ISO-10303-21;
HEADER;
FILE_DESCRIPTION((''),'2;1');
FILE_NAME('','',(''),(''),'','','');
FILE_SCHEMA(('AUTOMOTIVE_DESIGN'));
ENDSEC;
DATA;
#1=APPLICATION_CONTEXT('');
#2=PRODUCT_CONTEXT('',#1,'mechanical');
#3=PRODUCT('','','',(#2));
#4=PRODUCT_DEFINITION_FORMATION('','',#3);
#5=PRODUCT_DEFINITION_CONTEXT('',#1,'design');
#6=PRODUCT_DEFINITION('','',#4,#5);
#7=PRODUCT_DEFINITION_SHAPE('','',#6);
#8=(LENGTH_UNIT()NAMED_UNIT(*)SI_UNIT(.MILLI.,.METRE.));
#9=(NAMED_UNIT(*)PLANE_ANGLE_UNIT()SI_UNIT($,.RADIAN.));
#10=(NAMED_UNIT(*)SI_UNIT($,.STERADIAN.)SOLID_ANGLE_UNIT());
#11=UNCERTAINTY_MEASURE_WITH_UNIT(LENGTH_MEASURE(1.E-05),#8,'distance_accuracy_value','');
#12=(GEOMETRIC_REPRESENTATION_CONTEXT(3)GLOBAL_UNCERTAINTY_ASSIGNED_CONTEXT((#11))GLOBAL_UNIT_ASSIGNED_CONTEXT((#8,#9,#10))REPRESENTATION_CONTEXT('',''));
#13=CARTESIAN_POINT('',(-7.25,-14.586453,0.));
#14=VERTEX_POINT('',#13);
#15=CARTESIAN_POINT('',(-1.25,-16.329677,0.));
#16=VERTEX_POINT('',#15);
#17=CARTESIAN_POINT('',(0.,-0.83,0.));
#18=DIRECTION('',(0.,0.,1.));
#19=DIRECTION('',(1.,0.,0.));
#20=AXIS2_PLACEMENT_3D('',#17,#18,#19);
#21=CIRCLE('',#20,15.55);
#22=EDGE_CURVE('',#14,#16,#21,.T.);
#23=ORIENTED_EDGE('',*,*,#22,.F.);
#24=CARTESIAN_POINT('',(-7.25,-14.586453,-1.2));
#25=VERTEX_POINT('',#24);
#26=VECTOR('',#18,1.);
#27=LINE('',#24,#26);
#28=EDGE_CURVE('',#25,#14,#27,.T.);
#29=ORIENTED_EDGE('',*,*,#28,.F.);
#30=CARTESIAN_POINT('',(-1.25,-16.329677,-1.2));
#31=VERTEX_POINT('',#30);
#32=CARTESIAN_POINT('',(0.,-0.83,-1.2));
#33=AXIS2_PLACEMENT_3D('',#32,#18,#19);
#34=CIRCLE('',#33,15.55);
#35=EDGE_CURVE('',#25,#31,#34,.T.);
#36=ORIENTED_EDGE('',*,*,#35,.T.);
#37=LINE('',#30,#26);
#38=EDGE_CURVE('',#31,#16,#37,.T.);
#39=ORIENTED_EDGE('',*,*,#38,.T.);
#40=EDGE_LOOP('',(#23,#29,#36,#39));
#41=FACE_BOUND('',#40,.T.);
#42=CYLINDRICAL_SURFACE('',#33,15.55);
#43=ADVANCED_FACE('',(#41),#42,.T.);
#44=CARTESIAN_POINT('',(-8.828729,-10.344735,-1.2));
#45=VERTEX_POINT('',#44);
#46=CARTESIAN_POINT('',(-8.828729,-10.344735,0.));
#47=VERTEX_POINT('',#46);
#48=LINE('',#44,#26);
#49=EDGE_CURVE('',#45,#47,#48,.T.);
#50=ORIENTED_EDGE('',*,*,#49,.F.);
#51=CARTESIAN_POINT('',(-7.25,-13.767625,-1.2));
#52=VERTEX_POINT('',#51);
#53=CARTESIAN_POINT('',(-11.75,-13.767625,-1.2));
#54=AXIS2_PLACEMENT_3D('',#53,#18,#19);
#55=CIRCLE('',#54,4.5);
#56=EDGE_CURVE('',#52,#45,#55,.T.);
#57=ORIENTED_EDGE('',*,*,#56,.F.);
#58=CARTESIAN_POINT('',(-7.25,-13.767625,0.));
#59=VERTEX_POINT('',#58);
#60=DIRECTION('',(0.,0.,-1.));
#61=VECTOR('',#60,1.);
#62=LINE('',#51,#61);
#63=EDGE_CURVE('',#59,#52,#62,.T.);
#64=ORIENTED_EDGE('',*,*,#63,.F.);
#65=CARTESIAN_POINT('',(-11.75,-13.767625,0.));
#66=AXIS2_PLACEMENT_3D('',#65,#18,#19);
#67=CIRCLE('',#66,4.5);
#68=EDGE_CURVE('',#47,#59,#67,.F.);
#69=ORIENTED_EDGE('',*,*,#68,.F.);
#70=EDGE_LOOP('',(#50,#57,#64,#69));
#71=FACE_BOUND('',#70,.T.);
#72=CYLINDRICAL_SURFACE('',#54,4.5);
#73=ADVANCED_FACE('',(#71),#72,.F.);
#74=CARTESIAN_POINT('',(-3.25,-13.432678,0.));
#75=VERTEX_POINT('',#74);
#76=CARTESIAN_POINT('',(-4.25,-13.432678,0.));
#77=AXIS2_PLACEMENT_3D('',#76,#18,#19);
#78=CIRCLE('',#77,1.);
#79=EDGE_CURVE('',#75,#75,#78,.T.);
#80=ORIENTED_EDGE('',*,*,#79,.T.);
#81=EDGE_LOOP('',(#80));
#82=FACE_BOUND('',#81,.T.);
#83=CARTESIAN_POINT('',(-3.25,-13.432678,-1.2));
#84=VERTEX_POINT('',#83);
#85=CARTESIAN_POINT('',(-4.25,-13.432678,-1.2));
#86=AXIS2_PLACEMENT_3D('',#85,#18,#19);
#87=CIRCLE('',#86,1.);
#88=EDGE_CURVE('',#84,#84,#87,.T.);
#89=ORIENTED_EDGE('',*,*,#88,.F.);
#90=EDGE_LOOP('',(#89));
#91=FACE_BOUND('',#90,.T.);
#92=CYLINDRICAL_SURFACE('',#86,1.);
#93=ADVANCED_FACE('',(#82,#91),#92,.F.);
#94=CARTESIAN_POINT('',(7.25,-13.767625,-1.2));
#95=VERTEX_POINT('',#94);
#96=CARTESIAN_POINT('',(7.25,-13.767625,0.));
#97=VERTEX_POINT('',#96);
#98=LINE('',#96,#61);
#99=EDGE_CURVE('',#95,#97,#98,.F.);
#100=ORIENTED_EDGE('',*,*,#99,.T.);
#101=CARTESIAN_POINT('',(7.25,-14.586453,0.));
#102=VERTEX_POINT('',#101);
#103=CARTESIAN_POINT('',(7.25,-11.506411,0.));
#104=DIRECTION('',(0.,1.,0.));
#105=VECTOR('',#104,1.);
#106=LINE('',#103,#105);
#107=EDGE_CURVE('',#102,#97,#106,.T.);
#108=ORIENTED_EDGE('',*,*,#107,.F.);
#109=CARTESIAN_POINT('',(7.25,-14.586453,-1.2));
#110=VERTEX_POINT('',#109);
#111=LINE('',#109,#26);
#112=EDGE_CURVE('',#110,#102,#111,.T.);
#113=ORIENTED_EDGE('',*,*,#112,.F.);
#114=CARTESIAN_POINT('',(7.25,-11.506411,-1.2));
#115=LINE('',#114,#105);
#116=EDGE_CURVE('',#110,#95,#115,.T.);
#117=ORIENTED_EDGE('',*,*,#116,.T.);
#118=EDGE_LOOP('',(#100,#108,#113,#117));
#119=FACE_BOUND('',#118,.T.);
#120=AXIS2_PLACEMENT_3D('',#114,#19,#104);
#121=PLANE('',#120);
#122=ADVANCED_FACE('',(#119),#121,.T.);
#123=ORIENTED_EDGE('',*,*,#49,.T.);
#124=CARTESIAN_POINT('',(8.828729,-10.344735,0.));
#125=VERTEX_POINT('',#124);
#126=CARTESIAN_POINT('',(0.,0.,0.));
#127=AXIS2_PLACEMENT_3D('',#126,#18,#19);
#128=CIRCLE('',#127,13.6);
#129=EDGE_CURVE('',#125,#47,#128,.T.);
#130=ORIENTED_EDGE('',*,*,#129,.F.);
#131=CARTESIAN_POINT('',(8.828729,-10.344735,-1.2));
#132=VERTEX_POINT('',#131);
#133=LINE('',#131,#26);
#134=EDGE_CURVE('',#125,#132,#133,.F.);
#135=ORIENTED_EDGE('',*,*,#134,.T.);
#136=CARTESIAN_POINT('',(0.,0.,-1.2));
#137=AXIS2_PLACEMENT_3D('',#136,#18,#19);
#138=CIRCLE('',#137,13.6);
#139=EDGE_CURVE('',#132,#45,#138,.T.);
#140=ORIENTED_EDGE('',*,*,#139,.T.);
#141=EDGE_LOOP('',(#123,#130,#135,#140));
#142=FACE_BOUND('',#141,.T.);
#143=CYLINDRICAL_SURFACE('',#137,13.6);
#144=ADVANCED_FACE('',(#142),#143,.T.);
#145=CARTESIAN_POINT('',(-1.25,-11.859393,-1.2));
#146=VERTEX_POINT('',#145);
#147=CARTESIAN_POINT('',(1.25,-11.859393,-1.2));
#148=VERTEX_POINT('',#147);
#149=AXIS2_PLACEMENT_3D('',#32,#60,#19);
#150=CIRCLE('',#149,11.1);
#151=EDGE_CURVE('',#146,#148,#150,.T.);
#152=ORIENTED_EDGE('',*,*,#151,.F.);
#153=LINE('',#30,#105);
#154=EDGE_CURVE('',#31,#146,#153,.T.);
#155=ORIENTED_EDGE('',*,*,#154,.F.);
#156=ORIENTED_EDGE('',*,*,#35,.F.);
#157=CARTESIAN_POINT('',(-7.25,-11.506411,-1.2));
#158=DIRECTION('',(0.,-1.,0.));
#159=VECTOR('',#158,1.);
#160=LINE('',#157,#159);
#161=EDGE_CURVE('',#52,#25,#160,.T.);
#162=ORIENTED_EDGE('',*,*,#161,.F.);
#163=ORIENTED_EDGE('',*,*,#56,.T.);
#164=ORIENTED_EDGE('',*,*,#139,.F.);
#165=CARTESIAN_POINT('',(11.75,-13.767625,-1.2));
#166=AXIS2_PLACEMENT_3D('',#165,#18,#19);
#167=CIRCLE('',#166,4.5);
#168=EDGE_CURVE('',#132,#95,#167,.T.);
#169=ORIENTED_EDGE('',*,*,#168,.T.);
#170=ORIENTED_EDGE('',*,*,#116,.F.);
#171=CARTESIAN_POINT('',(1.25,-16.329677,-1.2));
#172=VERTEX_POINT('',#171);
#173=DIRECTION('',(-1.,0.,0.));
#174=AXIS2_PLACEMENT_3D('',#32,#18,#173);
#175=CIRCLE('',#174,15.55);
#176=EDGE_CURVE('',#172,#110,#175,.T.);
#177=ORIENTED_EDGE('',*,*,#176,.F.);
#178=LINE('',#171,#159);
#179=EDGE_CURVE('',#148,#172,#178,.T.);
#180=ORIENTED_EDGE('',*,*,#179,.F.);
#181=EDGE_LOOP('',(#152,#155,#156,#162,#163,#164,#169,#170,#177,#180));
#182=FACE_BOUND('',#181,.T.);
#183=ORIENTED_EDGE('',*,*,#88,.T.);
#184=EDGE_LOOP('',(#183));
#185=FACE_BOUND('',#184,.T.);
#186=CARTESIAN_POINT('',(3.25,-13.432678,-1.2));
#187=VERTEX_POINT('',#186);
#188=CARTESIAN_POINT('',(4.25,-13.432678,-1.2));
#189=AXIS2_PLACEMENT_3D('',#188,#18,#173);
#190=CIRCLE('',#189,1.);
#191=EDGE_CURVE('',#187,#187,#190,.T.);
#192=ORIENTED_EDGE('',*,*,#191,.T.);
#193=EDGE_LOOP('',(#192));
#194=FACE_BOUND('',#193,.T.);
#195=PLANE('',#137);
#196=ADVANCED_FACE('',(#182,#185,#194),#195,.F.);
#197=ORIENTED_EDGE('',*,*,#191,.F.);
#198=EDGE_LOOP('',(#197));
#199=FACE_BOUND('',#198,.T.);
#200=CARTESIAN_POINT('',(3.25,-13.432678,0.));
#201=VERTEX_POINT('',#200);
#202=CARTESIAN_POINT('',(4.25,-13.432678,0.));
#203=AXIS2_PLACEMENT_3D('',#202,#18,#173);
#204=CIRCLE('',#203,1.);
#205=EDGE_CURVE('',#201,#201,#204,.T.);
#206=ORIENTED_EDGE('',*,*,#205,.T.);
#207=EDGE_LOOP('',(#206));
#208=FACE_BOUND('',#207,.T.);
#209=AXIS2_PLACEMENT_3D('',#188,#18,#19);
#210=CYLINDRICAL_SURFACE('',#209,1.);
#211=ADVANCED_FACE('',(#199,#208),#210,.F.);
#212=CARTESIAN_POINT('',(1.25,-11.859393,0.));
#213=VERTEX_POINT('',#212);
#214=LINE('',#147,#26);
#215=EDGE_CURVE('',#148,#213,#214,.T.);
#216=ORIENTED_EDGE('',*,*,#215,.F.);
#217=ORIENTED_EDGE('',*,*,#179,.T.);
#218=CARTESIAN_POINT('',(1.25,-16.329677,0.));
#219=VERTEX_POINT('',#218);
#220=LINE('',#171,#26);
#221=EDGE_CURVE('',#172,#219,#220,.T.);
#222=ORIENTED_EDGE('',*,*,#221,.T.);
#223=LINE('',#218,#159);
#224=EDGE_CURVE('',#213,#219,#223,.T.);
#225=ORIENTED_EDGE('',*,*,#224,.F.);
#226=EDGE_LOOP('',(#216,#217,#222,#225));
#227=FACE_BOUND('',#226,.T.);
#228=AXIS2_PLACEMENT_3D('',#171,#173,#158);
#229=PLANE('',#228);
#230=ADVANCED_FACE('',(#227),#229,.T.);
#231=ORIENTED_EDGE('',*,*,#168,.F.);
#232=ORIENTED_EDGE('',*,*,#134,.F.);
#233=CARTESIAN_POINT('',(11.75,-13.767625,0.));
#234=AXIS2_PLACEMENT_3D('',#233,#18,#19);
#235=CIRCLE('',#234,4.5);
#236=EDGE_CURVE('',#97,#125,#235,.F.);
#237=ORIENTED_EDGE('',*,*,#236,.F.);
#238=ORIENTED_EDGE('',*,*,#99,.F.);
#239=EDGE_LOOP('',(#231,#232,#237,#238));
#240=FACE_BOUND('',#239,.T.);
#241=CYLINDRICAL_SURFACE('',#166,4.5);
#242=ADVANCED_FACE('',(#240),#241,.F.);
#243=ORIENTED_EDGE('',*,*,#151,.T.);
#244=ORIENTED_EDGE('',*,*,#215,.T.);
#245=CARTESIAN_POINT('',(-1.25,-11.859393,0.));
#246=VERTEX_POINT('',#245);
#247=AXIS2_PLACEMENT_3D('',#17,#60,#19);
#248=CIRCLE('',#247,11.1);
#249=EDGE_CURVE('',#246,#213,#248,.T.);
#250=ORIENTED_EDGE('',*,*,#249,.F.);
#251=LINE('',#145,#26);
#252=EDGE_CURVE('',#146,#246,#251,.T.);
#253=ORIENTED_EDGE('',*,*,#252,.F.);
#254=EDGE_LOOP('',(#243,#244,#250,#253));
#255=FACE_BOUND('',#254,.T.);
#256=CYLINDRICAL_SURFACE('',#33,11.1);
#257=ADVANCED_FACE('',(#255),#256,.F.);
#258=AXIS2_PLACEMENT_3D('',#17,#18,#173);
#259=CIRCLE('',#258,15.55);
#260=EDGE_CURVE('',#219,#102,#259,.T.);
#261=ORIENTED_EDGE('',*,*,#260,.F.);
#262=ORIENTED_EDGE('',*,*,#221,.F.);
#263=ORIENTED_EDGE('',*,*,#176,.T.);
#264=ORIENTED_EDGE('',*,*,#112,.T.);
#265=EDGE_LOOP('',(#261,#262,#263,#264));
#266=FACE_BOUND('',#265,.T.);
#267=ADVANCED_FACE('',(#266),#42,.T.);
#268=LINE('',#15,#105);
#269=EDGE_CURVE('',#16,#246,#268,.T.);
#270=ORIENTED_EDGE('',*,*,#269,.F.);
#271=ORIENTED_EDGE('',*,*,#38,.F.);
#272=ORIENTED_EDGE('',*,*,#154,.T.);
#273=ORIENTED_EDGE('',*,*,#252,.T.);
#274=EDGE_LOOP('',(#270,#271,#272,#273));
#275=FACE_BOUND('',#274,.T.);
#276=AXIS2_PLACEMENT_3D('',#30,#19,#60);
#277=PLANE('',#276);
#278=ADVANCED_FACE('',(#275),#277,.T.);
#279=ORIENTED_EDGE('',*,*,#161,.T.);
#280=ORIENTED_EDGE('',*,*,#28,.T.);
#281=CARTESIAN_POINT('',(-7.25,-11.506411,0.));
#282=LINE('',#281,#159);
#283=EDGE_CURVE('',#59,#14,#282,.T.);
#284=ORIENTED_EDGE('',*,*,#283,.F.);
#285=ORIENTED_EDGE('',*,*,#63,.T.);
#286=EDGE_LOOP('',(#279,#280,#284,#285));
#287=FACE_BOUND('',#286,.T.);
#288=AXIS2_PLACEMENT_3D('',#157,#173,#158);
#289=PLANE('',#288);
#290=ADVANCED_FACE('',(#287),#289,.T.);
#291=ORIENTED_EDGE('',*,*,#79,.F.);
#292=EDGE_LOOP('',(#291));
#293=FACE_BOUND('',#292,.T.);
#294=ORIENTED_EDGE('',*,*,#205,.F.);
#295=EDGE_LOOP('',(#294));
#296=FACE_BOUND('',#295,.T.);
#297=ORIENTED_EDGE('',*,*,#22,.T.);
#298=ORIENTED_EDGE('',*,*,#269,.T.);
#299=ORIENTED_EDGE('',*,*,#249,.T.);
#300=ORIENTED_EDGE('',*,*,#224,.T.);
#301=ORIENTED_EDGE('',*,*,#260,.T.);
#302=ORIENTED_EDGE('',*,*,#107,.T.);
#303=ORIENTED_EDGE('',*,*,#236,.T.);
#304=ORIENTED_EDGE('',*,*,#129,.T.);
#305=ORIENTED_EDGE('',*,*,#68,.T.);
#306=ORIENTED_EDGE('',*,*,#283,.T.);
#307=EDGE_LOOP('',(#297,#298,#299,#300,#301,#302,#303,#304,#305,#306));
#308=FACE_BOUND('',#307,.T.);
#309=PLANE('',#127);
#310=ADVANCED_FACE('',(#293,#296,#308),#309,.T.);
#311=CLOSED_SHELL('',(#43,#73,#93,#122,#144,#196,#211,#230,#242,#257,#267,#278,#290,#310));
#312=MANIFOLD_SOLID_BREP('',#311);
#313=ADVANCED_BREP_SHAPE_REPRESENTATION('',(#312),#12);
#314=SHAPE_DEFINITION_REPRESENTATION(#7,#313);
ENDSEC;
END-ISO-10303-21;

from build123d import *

# Parameters (mm, degrees)
SKETCH1_R  = 1
BODY_DEPTH = 1.2
FILLET1_R  = 4.5


with BuildPart() as part:
    # Sketch1 → Body (new body)
    with BuildSketch(Plane.XY):
        with BuildLine():
            Line((-1.25, -16.329677416), (-1.25, -11.859392549))
            ThreePointArc((-1.25, -11.859392549), (0, 10.27), (1.25, -11.859392549))
            Line((1.25, -11.859392549), (1.25, -16.329677416))
            ThreePointArc((1.25, -16.329677416), (4.338456847, -15.762524642), (7.25, -14.586453031))
            Line((7.25, -14.586453031), (7.25, -11.506411256))
            ThreePointArc((7.25, -11.506411256), (0, 13.6), (-7.25, -11.506411256))
            Line((-7.25, -11.506411256), (-7.25, -14.586453031))
            ThreePointArc((-7.25, -14.586453031), (-4.338456847, -15.762524642), (-1.25, -16.329677416))
        make_face()
        with Locations((-4.25, -13.432678287)):
            Circle(SKETCH1_R, mode=Mode.SUBTRACT)
        with Locations(Location((4.25, -13.432678287, 0), (0, 0, 180))):
            Circle(SKETCH1_R, mode=Mode.SUBTRACT)
    extrude(amount=-BODY_DEPTH)

    # Fillet1
    fillet1_edges = [part.edges().sort_by_distance(p)[0] for p in [
        (7.25, -11.506411256, -0.6),
        (-7.25, -11.506411256, -0.6),
    ]]
    fillet(fillet1_edges, radius=FILLET1_R)


solid = part.part
